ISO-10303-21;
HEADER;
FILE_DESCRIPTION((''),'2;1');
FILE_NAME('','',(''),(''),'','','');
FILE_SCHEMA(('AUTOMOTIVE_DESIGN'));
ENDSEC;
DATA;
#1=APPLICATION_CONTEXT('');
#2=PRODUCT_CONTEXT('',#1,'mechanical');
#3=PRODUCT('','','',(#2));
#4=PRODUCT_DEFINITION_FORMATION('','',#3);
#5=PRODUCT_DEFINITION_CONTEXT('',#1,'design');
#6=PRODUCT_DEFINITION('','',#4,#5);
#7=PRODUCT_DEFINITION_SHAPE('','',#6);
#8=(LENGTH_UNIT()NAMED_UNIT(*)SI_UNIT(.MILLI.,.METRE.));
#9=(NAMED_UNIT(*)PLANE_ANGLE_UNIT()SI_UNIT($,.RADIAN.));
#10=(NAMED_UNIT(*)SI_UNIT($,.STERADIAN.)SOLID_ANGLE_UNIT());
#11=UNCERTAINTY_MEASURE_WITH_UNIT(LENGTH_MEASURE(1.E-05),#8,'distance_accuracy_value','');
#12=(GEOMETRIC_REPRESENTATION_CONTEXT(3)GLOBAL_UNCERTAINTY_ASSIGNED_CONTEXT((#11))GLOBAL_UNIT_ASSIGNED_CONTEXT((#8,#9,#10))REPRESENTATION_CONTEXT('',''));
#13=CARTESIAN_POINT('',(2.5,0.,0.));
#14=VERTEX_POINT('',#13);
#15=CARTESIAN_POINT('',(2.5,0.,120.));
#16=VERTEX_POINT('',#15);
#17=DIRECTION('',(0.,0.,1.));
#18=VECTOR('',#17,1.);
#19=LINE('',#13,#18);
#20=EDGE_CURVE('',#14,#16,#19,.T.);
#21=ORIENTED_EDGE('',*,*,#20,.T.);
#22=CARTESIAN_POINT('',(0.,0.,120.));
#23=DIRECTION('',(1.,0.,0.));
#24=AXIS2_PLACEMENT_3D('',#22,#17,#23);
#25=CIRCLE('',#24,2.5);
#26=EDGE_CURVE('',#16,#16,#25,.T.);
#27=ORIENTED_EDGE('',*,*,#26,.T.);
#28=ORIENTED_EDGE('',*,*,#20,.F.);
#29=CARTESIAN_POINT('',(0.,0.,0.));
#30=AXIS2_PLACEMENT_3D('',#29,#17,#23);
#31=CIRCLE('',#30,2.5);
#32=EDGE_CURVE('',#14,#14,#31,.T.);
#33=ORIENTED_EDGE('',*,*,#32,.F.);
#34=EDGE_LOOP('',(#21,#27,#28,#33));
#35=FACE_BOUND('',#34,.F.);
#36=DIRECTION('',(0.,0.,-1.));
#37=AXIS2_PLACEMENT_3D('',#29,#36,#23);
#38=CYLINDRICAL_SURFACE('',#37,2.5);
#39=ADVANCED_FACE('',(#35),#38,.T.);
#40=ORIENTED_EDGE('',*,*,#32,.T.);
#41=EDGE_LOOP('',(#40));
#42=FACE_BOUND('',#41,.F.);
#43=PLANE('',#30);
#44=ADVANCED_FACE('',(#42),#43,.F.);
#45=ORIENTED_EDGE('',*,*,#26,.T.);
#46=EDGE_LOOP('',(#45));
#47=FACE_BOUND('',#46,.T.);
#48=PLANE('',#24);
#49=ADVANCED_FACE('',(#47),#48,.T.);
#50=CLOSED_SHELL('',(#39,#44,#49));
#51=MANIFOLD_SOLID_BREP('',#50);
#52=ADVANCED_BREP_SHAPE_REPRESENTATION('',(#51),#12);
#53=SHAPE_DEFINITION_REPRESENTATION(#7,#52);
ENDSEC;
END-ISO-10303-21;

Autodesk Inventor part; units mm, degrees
ref_plane "YZ Plane" through (0, 0, 0) normal (1, 0, 0) x (0, 1, 0)
ref_plane "XZ Plane" through (0, 0, 0) normal (0, 1, 0) x (-1, 0, 0)
ref_plane "XY Plane" through (0, 0, 0) normal (0, 0, 1) x (1, 0, 0)
sketch "草图1" plane through (0, 0, 0) normal (0, 0, 1) x (1, 0, 0)
  circle A0 centre (0, 0) radius 2.5
  dimension "d0" = 5
extrude "拉伸1" add sketch "草图1" along normal blind 120
properties part number "钢轴"
